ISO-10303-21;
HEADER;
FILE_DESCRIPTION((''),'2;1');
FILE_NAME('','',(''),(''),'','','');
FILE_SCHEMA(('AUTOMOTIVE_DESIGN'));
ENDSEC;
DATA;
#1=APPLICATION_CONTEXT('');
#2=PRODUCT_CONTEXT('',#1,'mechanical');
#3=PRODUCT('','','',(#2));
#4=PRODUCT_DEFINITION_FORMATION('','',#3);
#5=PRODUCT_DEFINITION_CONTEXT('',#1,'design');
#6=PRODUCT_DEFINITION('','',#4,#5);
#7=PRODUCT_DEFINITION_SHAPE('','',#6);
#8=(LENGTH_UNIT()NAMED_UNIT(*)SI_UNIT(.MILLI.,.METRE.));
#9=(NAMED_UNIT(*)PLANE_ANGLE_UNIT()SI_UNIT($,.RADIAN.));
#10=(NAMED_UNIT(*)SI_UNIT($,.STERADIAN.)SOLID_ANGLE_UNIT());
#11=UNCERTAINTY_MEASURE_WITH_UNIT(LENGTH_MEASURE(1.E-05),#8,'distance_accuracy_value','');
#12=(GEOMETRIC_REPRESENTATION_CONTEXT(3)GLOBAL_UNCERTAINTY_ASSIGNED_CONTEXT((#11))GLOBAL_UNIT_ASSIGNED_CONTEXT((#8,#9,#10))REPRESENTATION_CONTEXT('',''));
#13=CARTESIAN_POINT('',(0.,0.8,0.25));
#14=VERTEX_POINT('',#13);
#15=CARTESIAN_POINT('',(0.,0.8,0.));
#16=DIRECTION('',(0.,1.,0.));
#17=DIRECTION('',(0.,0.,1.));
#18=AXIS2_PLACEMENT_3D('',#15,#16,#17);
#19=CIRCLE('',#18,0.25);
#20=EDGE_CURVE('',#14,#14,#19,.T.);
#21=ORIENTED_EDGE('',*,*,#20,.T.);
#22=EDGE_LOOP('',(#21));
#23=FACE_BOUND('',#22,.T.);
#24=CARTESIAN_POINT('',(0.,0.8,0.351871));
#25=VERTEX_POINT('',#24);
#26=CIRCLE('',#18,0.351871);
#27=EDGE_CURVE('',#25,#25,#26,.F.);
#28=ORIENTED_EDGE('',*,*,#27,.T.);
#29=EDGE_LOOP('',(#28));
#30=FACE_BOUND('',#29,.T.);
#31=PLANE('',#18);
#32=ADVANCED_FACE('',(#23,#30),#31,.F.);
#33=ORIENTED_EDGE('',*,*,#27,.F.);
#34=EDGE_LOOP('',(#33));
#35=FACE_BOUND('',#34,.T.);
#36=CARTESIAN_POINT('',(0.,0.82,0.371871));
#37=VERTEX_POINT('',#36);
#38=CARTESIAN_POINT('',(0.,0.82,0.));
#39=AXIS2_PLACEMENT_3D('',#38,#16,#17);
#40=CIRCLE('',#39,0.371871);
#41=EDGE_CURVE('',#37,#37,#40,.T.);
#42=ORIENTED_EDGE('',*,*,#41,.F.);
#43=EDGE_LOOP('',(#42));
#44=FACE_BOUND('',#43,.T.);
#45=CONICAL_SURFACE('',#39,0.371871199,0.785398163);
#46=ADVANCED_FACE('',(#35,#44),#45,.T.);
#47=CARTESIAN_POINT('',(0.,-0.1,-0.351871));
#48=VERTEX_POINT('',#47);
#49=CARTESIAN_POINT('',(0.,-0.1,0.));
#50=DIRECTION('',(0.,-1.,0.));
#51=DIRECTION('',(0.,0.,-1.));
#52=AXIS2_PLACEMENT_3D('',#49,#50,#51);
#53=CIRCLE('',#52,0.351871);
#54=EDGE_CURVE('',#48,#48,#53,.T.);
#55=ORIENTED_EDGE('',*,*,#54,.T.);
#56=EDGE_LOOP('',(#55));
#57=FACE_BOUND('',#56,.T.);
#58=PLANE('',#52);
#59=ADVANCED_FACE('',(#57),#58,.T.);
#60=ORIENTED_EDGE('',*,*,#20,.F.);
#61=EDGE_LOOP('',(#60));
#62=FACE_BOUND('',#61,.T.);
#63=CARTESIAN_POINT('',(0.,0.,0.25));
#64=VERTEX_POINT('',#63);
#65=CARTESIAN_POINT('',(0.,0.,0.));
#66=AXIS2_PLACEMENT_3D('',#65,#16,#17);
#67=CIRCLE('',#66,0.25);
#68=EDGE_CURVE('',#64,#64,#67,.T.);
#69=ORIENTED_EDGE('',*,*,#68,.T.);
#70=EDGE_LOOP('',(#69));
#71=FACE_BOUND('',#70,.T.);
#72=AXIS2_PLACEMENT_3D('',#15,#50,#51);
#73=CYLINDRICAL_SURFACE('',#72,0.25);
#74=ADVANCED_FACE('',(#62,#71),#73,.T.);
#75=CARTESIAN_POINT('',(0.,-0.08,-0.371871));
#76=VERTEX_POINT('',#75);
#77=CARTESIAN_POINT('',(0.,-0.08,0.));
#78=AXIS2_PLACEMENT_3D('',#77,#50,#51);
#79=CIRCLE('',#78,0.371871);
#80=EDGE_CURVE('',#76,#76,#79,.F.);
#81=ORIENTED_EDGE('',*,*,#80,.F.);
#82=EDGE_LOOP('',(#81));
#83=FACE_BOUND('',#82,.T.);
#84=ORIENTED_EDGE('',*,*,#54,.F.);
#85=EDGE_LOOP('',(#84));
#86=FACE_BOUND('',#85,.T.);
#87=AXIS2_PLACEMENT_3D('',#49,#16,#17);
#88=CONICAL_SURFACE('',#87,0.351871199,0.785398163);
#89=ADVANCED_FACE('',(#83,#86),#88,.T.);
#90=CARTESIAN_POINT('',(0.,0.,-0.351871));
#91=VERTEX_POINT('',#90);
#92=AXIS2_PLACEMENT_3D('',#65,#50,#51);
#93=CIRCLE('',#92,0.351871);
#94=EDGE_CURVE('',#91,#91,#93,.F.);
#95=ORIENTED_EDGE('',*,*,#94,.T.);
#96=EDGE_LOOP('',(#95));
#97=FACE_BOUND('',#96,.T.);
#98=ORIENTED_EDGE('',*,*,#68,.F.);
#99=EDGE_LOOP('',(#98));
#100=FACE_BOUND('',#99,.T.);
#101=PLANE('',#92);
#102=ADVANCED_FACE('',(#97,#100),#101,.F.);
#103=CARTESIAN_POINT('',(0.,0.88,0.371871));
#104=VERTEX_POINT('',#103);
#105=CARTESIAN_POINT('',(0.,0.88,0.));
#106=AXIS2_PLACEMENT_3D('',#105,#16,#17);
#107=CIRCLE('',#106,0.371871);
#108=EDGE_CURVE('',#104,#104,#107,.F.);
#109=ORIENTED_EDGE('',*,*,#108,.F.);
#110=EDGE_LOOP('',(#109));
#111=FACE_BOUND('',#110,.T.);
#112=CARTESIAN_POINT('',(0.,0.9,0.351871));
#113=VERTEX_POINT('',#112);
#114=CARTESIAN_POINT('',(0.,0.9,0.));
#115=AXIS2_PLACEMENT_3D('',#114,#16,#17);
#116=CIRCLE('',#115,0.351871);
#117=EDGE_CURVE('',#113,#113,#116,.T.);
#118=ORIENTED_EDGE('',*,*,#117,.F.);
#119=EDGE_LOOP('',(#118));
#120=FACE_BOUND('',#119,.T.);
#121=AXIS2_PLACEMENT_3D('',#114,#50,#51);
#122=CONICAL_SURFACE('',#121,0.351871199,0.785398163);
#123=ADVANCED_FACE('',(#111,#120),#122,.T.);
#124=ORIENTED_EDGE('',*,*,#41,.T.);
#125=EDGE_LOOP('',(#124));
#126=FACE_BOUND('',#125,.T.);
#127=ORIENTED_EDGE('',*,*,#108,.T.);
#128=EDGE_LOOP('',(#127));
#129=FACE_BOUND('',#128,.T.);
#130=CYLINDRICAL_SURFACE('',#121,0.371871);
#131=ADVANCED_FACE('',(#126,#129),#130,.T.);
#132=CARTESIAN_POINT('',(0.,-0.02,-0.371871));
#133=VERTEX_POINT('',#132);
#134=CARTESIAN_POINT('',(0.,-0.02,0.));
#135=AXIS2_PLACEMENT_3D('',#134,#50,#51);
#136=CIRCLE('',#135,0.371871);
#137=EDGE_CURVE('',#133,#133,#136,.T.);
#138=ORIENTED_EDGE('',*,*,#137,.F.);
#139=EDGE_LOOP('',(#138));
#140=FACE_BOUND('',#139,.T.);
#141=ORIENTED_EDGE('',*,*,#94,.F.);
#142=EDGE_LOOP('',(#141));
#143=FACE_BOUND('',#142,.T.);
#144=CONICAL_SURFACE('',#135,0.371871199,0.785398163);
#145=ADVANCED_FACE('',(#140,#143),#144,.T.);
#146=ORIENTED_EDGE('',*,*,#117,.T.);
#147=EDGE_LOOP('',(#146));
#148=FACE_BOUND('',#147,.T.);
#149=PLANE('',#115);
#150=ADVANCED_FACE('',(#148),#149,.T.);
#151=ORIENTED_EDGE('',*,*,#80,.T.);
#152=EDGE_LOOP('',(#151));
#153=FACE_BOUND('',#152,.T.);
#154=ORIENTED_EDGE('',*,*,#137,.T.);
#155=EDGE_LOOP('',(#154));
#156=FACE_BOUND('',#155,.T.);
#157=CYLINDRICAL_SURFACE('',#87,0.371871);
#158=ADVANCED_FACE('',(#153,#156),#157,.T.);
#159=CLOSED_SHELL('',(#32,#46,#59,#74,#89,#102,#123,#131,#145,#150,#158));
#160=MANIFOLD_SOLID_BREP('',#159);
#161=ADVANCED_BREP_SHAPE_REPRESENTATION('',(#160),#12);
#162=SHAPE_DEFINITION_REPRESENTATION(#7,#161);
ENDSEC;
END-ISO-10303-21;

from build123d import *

# Parameters (mm, degrees)
SKETCH2_R           = 0.25
BOSS_EXTRUDE1_DEPTH = 0.8
SKETCH3_R           = 0.371871199
BOSS_EXTRUDE2_DEPTH = 0.1
SKETCH4_R           = 0.371871199
BOSS_EXTRUDE3_DEPTH = 0.1
CHAMFER1_SIZE       = 0.02
CHAMFER2_SIZE       = 0.02
CHAMFER3_SIZE       = 0.02


with BuildPart() as part:
    # Sketch2 → Boss-Extrude1 (new body)
    with BuildSketch(Plane(origin=(0, 0, 0), x_dir=(1, 0, 0), z_dir=(0, 1, 0))):
        Circle(SKETCH2_R)
    extrude(amount=BOSS_EXTRUDE1_DEPTH)

    # Sketch3 → Boss-Extrude2 (add)
    with BuildSketch(Plane(origin=(0, 0.8, 0), x_dir=(1, 0, 0), z_dir=(0, 1, 0))):
        Circle(SKETCH3_R)
    extrude(amount=BOSS_EXTRUDE2_DEPTH)

    # Sketch4 → Boss-Extrude3 (add)
    with BuildSketch(Plane.XZ):
        Circle(SKETCH4_R)
    extrude(amount=BOSS_EXTRUDE3_DEPTH)

    # Chamfer1
    chamfer1_edges = [part.edges().sort_by_distance(p)[0] for p in [
        (-0.371871199, 0.9, 0),
    ]]
    chamfer(chamfer1_edges, length=CHAMFER1_SIZE)

    # Chamfer2
    chamfer2_edges = [part.edges().sort_by_distance(p)[0] for p in [
        (-0.371871199, 0.8, 0),
        (-0.371871199, 0, 0),
    ]]
    chamfer(chamfer2_edges, length=CHAMFER2_SIZE)

    # Chamfer3
    chamfer3_edges = [part.edges().sort_by_distance(p)[0] for p in [
        (-0.371871199, -0.1, 0),
    ]]
    chamfer(chamfer3_edges, length=CHAMFER3_SIZE)


solid = part.part
